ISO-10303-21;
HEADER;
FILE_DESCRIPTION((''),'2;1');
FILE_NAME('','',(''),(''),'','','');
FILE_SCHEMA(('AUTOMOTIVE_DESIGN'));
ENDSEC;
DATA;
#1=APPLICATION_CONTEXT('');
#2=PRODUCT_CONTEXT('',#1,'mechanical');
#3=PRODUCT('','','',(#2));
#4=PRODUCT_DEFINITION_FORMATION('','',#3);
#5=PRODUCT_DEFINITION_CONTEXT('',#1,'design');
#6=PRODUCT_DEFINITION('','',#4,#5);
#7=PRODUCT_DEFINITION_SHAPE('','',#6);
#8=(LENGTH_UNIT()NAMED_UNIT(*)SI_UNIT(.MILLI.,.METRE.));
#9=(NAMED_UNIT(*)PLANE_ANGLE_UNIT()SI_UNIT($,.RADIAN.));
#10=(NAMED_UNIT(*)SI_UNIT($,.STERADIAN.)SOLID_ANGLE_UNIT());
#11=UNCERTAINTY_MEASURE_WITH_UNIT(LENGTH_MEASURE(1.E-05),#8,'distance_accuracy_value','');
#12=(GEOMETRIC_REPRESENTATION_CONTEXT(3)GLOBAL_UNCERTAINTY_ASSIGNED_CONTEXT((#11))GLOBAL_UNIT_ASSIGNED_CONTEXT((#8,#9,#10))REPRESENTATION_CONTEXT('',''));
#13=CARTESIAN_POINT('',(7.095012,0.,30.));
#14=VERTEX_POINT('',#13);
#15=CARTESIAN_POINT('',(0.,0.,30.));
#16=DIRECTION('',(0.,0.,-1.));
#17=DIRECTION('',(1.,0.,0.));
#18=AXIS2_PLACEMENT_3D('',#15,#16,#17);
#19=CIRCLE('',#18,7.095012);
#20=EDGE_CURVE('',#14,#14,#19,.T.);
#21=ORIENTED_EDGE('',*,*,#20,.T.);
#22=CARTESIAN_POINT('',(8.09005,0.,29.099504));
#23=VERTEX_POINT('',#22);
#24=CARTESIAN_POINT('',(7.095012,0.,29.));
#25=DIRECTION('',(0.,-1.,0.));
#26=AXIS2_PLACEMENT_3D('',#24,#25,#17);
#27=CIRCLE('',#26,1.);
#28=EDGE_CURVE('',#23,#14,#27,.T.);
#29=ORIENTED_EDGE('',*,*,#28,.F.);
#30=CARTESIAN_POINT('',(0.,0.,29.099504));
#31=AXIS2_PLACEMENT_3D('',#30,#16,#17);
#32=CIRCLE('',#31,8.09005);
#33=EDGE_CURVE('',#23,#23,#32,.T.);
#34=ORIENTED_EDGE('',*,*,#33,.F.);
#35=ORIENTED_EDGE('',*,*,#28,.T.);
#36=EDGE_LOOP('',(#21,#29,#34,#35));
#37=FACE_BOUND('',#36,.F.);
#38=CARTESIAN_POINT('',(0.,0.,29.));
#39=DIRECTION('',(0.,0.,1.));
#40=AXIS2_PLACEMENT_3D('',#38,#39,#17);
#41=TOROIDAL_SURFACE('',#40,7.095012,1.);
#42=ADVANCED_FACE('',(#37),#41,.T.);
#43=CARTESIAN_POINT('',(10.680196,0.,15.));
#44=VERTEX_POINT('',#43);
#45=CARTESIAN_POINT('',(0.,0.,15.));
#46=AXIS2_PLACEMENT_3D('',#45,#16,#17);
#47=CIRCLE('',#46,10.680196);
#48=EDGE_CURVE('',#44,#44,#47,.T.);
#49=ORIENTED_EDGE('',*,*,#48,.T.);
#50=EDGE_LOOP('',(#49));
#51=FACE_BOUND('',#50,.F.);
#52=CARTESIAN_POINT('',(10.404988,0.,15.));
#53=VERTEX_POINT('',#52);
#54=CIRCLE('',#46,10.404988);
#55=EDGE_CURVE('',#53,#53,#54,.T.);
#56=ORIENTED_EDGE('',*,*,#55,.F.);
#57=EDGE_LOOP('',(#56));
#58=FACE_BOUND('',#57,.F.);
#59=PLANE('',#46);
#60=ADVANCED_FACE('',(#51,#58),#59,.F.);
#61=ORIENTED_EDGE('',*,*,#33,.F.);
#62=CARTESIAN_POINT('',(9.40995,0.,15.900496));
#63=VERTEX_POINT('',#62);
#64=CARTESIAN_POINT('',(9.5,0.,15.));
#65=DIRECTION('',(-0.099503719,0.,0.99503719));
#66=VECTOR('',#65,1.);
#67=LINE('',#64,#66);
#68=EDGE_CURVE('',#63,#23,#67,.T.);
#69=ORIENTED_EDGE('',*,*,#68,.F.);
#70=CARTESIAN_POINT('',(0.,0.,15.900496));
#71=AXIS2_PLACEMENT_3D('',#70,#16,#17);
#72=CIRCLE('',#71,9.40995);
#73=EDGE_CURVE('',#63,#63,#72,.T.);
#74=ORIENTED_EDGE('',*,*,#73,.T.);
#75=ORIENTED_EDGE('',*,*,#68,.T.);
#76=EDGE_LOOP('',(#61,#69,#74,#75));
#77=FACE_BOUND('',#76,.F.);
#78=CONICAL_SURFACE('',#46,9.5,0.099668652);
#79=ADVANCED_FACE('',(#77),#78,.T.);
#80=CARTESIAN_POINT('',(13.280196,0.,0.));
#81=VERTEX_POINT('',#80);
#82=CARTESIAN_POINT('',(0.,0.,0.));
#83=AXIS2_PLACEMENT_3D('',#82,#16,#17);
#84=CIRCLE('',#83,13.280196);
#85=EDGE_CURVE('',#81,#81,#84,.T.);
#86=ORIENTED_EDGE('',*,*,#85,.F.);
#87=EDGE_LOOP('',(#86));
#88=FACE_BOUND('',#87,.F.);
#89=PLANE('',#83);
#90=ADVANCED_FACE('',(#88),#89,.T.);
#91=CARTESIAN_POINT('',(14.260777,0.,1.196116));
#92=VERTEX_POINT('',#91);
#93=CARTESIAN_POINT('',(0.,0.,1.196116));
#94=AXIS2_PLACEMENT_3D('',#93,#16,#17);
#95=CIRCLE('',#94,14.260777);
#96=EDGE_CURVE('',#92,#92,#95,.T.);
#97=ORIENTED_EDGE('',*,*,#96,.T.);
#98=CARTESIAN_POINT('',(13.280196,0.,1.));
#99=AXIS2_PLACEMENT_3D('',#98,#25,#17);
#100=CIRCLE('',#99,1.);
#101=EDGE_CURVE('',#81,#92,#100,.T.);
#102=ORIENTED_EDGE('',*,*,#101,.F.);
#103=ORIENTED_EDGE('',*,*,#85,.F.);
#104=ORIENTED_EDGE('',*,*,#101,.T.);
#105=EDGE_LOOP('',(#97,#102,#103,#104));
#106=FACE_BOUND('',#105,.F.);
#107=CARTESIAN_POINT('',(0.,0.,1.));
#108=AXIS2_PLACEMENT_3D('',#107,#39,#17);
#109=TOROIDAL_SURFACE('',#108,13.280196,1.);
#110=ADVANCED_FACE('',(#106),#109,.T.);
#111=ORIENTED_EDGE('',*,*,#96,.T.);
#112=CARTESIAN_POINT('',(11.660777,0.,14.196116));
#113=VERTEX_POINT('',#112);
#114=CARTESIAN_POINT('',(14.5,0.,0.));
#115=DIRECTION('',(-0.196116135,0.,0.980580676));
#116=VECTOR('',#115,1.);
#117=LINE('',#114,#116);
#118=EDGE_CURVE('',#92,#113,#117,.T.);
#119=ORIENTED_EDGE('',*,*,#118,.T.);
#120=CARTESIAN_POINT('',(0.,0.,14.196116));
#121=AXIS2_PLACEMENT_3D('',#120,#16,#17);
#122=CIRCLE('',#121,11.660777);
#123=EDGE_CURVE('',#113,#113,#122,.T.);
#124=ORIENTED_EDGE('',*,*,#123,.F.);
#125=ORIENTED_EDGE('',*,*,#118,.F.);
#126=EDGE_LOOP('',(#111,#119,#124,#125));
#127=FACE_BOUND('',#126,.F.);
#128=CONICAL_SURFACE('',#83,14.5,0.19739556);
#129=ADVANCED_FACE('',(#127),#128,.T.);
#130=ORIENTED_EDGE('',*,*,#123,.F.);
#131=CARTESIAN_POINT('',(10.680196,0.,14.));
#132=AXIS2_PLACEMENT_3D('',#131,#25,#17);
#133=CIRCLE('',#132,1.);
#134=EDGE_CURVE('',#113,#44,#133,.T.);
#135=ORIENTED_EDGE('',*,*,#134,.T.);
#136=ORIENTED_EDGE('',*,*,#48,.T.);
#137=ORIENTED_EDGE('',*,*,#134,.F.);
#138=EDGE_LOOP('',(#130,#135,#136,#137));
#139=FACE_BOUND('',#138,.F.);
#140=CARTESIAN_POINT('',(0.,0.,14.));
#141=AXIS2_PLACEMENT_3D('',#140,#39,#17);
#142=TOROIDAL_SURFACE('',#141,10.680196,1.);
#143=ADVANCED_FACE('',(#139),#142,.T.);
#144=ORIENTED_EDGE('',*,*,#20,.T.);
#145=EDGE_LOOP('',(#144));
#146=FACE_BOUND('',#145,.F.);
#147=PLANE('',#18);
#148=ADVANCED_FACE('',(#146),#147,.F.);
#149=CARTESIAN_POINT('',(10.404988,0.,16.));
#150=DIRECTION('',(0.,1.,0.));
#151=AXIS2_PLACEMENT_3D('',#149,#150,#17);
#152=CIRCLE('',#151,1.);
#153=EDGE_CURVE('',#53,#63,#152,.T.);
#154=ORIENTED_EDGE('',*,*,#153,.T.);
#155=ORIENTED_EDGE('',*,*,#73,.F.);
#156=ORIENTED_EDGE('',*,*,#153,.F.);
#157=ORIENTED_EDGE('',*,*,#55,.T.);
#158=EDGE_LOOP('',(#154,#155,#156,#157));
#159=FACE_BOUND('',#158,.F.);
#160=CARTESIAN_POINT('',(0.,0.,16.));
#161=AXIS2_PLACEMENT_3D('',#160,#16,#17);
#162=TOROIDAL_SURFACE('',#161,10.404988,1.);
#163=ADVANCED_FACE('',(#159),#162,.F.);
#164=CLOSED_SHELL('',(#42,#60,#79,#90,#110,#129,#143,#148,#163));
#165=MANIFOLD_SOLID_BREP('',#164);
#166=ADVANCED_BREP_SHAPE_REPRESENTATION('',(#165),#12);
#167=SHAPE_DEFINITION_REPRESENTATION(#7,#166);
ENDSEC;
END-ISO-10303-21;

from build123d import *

# Parameters (mm, degrees)
F2_R = 1


with BuildPart() as f1:
    # F0 (on Front) → F1 (revolve)
    with BuildSketch(Plane.XZ):
        Polygon((0, 30), (0, 15), (0, 0), (14.5, 0), (11.5, 15), (9.5, 15), (8, 30), align=None)
    revolve(axis=Axis((0, 0, 7.5), (0, 0, -1)))

    # F2
    f2_edges = [f1.edges().sort_by_distance(p)[0] for p in [
        (-11.5, 0, 15),
        (-9.5, 0, 15),
        (-8, 0, 30),
        (-14.5, 0, 0),
    ]]
    fillet(f2_edges, radius=F2_R)


solid = f1.part
